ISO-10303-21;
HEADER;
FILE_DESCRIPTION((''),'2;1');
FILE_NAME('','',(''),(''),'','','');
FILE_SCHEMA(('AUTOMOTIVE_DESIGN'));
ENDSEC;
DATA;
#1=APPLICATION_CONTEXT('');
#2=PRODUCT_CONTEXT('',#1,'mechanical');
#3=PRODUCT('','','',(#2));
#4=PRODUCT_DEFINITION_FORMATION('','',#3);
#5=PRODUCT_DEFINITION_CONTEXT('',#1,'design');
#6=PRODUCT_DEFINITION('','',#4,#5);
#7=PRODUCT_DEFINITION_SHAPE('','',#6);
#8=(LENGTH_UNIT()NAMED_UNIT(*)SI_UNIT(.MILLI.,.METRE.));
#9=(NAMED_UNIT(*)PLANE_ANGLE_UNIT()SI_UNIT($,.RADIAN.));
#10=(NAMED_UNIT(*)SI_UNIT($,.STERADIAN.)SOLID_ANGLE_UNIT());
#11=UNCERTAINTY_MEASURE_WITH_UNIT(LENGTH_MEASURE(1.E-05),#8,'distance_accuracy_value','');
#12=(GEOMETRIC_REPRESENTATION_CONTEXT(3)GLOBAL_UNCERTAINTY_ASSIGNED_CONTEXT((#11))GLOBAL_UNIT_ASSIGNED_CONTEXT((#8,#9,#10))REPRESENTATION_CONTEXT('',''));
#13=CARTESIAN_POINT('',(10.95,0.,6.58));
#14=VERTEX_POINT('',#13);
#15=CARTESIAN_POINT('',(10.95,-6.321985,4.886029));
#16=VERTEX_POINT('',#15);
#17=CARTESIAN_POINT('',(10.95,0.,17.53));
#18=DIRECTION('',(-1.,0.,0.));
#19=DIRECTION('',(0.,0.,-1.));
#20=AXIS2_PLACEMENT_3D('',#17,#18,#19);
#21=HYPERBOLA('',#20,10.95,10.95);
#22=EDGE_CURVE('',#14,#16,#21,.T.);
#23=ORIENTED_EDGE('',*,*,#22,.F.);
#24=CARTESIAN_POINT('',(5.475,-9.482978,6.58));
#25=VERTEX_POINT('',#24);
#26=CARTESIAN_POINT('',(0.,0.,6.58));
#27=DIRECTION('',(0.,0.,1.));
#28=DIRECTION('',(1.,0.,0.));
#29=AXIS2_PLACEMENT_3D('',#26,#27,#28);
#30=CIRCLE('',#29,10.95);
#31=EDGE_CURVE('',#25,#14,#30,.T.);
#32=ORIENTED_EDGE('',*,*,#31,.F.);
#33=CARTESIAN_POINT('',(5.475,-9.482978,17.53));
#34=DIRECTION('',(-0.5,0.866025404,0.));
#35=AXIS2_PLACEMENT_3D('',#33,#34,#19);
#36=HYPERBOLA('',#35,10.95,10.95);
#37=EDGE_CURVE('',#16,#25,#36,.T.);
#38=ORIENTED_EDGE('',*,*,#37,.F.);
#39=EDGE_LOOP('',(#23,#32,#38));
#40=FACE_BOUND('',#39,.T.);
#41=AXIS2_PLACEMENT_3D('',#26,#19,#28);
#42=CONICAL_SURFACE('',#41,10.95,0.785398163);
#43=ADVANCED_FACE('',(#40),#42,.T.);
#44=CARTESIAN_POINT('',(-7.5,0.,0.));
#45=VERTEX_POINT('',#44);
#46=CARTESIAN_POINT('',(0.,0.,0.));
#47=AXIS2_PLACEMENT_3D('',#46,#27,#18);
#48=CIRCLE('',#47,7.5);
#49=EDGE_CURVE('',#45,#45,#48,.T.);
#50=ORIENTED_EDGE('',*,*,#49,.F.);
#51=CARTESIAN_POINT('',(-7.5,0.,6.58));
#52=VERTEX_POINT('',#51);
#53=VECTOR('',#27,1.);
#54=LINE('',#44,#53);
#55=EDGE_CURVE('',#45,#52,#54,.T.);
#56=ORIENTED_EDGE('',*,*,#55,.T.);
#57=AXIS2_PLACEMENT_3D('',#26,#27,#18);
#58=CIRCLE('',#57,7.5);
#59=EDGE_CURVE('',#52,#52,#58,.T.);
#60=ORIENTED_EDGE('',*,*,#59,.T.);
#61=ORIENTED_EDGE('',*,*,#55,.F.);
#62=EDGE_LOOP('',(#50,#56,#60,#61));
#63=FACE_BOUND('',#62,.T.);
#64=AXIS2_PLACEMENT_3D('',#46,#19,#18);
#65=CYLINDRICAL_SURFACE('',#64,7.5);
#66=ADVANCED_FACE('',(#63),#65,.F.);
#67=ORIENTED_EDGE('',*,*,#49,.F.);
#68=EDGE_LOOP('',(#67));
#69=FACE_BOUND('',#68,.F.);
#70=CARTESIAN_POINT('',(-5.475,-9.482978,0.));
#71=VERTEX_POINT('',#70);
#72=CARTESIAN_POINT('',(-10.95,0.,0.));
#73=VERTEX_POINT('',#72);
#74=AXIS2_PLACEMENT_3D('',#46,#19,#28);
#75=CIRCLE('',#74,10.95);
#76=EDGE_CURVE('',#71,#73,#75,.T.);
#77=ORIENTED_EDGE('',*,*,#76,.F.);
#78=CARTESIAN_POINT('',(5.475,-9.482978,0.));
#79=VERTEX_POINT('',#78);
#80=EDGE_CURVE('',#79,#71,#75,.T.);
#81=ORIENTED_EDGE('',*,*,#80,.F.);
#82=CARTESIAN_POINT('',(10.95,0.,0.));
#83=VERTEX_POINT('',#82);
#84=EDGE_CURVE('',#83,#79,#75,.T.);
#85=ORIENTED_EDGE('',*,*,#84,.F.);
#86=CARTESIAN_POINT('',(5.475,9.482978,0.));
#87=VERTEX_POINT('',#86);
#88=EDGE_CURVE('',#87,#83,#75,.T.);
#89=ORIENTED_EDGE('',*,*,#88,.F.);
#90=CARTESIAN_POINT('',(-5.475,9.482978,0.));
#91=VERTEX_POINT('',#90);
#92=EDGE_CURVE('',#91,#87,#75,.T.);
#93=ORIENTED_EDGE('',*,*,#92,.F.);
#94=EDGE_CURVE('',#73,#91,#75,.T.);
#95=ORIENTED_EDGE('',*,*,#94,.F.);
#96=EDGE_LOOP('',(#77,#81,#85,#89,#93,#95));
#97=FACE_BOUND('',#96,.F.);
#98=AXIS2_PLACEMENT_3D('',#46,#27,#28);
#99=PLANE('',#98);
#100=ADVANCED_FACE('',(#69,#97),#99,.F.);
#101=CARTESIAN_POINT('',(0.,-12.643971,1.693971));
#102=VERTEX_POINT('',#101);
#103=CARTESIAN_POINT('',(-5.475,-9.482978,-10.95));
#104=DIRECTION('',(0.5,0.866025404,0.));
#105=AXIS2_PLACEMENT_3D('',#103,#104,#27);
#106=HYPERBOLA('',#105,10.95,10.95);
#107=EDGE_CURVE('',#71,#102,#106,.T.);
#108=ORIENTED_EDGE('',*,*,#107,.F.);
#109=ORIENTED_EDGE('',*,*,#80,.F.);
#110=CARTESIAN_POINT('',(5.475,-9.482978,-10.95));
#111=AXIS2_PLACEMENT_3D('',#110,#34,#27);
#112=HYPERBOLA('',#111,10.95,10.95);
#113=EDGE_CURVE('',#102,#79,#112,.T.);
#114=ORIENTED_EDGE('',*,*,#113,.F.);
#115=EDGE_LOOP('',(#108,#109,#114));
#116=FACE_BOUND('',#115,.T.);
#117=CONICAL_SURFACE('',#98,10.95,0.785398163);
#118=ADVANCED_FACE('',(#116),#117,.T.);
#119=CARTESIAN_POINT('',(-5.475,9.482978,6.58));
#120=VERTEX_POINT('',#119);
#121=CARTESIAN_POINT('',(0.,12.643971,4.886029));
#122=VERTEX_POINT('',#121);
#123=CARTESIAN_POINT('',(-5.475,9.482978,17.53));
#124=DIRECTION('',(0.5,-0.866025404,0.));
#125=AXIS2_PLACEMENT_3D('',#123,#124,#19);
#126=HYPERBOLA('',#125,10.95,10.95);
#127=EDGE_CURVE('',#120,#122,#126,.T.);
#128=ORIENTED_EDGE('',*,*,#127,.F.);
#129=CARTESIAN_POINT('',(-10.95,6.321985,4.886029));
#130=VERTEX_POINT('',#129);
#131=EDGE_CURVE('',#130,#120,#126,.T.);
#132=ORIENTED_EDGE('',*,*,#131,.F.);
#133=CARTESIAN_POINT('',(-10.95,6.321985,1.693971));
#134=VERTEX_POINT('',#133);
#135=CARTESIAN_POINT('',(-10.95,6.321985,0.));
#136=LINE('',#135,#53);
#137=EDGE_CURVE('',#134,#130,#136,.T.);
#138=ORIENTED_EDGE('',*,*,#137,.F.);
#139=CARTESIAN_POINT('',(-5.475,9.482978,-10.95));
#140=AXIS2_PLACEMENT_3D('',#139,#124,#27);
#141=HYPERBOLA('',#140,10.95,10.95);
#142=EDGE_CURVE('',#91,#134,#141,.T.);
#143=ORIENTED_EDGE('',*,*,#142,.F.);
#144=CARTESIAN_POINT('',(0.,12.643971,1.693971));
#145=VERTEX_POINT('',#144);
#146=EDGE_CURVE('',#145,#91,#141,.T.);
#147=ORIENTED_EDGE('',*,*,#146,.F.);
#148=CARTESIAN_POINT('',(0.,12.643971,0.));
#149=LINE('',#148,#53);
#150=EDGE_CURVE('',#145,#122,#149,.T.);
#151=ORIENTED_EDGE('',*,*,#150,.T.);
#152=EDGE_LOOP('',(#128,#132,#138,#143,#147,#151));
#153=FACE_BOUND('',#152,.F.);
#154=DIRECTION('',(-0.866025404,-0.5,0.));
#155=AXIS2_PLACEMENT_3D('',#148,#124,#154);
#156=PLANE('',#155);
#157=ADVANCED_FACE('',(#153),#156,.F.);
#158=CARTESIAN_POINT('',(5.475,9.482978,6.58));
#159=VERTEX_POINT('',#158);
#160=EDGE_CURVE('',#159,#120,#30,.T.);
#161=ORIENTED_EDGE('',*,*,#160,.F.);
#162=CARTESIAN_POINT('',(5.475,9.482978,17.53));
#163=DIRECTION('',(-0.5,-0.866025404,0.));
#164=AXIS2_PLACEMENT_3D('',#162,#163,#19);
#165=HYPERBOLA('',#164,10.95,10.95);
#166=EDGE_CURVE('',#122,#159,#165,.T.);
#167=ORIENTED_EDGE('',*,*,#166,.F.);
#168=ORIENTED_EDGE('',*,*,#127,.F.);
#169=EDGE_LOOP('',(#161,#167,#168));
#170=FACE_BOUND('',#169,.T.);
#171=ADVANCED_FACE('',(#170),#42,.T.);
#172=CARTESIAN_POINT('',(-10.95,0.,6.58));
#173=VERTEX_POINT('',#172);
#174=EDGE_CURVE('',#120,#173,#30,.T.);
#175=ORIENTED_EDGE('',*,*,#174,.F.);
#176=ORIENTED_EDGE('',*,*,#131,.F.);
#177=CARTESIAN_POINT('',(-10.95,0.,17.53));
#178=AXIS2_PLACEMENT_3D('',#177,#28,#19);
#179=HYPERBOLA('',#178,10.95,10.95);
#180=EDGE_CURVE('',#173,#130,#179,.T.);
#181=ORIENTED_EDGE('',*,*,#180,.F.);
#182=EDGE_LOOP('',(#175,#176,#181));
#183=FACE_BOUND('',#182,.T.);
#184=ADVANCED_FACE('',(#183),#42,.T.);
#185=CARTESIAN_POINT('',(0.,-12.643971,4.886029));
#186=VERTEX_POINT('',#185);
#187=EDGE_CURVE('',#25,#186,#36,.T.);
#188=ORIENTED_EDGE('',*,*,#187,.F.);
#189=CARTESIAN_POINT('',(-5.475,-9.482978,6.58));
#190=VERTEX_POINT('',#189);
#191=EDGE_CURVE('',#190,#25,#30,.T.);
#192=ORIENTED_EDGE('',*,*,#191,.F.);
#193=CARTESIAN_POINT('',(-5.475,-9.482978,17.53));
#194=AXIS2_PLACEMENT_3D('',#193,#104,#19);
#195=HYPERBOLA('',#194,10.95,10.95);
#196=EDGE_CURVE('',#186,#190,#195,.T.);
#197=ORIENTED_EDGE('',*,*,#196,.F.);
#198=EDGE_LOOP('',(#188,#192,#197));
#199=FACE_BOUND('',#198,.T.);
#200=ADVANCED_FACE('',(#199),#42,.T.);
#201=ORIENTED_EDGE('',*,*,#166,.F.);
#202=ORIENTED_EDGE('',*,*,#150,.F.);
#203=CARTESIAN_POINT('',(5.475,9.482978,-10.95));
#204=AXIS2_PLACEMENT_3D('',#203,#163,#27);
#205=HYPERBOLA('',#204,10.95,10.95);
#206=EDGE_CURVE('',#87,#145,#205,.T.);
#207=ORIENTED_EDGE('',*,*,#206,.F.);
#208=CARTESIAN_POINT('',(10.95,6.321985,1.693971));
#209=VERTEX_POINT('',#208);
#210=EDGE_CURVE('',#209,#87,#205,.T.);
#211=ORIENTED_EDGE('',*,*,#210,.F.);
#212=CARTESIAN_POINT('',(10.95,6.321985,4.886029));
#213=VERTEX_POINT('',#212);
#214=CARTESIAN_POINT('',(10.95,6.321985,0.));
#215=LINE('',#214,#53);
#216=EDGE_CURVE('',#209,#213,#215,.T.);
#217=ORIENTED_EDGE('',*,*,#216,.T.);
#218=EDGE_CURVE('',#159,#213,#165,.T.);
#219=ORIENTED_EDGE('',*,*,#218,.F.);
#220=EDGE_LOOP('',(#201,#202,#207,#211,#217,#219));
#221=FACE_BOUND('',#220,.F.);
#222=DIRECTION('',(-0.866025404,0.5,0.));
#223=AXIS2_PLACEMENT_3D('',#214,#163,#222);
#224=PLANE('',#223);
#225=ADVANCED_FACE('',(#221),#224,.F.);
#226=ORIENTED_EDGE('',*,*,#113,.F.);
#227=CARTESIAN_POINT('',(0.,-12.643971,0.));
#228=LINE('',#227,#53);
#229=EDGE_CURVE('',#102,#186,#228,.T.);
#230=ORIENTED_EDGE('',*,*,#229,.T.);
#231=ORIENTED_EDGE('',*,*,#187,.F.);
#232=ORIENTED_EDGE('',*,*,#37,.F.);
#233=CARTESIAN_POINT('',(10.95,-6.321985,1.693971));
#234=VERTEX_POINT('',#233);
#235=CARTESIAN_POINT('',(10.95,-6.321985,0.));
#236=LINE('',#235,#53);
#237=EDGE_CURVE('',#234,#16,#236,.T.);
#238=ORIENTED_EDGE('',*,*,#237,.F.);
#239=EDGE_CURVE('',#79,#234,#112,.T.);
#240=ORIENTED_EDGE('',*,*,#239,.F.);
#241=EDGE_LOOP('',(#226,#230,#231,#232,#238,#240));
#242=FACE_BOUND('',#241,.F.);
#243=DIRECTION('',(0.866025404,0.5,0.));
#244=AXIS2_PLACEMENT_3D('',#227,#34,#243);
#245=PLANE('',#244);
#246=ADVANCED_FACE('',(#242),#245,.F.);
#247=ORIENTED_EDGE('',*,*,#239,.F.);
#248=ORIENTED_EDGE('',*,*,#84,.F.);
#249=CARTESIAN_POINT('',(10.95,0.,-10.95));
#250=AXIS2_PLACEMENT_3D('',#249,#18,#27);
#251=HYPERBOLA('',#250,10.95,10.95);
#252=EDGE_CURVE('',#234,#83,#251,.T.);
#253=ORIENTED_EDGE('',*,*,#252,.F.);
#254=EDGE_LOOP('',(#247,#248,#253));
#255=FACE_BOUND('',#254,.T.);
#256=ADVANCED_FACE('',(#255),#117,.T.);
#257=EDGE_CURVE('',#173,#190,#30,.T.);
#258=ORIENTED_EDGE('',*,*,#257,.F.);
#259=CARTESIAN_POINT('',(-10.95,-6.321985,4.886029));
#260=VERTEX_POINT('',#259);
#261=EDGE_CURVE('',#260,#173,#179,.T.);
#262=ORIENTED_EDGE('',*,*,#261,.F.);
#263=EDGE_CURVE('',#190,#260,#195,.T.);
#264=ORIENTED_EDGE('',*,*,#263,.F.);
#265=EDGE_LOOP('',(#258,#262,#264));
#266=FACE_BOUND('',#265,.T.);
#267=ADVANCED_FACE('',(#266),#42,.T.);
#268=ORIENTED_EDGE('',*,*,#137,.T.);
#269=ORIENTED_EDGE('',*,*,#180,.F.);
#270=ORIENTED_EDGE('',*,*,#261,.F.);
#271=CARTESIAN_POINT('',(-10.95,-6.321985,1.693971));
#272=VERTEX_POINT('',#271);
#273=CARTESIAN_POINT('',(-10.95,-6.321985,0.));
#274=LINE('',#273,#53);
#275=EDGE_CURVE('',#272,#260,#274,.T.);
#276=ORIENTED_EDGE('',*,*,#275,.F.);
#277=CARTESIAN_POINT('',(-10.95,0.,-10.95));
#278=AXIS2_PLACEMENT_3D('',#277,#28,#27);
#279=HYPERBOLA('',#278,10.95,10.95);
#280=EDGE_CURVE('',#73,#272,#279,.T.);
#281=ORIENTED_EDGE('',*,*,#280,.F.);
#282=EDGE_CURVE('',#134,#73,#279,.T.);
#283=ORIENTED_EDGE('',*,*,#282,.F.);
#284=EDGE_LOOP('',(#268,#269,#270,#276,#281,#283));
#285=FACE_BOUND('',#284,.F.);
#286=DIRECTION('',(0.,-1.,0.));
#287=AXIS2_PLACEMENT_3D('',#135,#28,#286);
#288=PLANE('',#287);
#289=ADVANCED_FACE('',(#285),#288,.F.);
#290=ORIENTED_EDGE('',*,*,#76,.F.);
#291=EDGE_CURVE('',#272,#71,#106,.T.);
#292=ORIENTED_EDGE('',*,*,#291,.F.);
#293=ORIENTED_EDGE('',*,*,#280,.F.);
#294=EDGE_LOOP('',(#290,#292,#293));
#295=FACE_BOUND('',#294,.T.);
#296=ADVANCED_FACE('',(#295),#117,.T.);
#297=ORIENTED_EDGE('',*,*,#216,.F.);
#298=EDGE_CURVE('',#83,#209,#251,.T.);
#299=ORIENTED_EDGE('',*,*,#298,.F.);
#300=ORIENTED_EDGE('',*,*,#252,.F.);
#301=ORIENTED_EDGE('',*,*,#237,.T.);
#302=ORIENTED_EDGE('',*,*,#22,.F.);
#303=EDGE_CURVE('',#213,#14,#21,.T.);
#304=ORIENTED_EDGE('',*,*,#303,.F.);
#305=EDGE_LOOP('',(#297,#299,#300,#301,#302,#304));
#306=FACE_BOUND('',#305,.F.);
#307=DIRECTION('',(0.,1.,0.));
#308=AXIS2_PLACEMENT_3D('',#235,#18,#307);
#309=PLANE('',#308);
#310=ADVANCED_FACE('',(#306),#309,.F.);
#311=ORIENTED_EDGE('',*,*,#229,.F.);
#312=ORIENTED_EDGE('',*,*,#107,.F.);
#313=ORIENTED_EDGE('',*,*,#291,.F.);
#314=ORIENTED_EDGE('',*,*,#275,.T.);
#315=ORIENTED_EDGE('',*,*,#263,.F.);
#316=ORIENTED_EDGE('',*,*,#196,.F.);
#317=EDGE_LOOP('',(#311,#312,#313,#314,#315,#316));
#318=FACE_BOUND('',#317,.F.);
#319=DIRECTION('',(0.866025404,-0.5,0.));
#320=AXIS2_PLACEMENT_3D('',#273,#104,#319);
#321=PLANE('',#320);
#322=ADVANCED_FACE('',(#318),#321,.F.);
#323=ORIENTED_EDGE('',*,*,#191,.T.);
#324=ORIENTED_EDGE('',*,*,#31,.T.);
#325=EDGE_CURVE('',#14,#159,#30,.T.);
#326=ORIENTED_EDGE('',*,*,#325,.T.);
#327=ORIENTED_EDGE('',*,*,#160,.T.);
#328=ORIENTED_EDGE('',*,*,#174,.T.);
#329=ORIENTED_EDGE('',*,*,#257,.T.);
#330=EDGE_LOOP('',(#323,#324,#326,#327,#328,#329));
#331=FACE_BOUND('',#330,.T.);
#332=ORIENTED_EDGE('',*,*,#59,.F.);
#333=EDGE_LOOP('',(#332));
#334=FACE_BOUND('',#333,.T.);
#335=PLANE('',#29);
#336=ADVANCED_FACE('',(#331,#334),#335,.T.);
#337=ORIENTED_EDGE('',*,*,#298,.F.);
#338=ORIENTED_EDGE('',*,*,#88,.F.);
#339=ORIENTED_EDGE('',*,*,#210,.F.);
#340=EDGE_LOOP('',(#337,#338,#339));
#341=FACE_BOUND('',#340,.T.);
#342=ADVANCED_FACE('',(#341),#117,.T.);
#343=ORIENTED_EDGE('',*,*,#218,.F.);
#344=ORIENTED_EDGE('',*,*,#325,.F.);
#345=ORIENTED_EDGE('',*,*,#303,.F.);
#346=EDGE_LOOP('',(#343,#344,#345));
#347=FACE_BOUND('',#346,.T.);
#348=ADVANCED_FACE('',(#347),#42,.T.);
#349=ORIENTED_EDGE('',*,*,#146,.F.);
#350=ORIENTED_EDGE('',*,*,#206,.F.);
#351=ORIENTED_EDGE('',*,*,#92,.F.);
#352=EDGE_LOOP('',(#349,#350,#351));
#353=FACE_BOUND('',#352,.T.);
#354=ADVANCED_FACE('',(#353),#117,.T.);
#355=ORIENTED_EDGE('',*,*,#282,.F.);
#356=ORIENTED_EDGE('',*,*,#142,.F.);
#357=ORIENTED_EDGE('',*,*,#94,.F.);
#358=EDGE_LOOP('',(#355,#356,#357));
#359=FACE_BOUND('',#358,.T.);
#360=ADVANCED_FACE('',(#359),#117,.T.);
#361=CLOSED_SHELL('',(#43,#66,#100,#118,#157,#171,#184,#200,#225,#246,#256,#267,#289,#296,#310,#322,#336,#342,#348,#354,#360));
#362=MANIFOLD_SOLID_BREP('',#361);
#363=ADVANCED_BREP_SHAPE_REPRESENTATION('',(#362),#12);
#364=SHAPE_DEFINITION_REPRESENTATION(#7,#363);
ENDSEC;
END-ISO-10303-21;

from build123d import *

# Parameters (mm, degrees)
SKETCH1_R               = 7.5
BOSS_EXTRUDE1_DEPTH     = 6.58
SKETCH2_OUTSIDE_W       = 43.878
SKETCH2_OUTSIDE_H       = 47.266
SKETCH2_OUTSIDE_R       = 10.95
CUT_EXTRUDE1_DEPTH      = 6.58
CUT_EXTRUDE1_DRAFT      = -45
MIRROR1_COPY_1_SKETCH_W = 43.878
MIRROR1_COPY_1_SKETCH_H = 47.266
MIRROR1_COPY_1_SKETCH_R = 10.95
MIRROR1_COPY_1_DEPTH    = 6.58
MIRROR1_COPY_1_DRAFT    = -45


with BuildPart() as part:
    # Sketch1 → Boss-Extrude1 (new body)
    with BuildSketch(Plane.XY):
        Polygon((0, 12.643970895), (-10.95, 6.321985448), (-10.95, -6.321985448), (0, -12.643970895), (10.95, -6.321985448), (10.95, 6.321985448), align=None)
        with Locations(Location((0, 0, 0), (0, 0, 180))):
            Circle(SKETCH1_R, mode=Mode.SUBTRACT)
    extrude(amount=BOSS_EXTRUDE1_DEPTH)


with BuildPart() as cut_extrude1_tool:
    # Sketch2 outside → Cut-Extrude1 (with draft: the straight prism first)
    with BuildSketch(Plane.XY.offset(6.58)):
        Rectangle(SKETCH2_OUTSIDE_W, SKETCH2_OUTSIDE_H)
        Circle(SKETCH2_OUTSIDE_R, mode=Mode.SUBTRACT)
    extrude(amount=-CUT_EXTRUDE1_DEPTH)
    # Cut-Extrude1: the draft: its side faces are tilted about the plane it starts from
    cut_extrude1_sides = [cut_extrude1_tool.faces().sort_by_distance(p)[0] for p in [
        (0, -23.633, 3.29),
        (21.939, 0, 3.29),
        (0, 23.633, 3.29),
        (-21.939, 0, 3.29),
        (-10.95, 0, 3.29),
    ]]
    draft(cut_extrude1_sides, Plane.XY.offset(6.58), CUT_EXTRUDE1_DRAFT)


with BuildPart() as part_1:
    add(part.part)

    # Cut-Extrude1: cut by cut_extrude1_tool
    add(cut_extrude1_tool.part, mode=Mode.SUBTRACT)


with BuildPart() as mirror1_copy_1_tool:
    # Mirror1 copy 1 sketch → Mirror1 copy 1 (with draft: the straight prism first)
    with BuildSketch(Plane(origin=(0, 0, 0), x_dir=(1, 0, 0), z_dir=(0, 0, -1))):
        Rectangle(MIRROR1_COPY_1_SKETCH_W, MIRROR1_COPY_1_SKETCH_H)
        Circle(MIRROR1_COPY_1_SKETCH_R, mode=Mode.SUBTRACT)
    extrude(amount=-MIRROR1_COPY_1_DEPTH)
    # Mirror1 copy 1: the draft: its side faces are tilted about the plane it starts from
    mirror1_copy_1_sides = [mirror1_copy_1_tool.faces().sort_by_distance(p)[0] for p in [
        (0, -23.633, 3.29),
        (21.939, 0, 3.29),
        (0, 23.633, 3.29),
        (-21.939, 0, 3.29),
        (-10.95, 0, 3.29),
    ]]
    draft(mirror1_copy_1_sides, Plane(origin=(0, 0, 0), x_dir=(1, 0, 0), z_dir=(0, 0, -1)), MIRROR1_COPY_1_DRAFT)


with BuildPart() as part_2:
    add(part_1.part)

    # Mirror1 copy 1: cut by mirror1_copy_1_tool
    add(mirror1_copy_1_tool.part, mode=Mode.SUBTRACT)


solid = part_2.part
